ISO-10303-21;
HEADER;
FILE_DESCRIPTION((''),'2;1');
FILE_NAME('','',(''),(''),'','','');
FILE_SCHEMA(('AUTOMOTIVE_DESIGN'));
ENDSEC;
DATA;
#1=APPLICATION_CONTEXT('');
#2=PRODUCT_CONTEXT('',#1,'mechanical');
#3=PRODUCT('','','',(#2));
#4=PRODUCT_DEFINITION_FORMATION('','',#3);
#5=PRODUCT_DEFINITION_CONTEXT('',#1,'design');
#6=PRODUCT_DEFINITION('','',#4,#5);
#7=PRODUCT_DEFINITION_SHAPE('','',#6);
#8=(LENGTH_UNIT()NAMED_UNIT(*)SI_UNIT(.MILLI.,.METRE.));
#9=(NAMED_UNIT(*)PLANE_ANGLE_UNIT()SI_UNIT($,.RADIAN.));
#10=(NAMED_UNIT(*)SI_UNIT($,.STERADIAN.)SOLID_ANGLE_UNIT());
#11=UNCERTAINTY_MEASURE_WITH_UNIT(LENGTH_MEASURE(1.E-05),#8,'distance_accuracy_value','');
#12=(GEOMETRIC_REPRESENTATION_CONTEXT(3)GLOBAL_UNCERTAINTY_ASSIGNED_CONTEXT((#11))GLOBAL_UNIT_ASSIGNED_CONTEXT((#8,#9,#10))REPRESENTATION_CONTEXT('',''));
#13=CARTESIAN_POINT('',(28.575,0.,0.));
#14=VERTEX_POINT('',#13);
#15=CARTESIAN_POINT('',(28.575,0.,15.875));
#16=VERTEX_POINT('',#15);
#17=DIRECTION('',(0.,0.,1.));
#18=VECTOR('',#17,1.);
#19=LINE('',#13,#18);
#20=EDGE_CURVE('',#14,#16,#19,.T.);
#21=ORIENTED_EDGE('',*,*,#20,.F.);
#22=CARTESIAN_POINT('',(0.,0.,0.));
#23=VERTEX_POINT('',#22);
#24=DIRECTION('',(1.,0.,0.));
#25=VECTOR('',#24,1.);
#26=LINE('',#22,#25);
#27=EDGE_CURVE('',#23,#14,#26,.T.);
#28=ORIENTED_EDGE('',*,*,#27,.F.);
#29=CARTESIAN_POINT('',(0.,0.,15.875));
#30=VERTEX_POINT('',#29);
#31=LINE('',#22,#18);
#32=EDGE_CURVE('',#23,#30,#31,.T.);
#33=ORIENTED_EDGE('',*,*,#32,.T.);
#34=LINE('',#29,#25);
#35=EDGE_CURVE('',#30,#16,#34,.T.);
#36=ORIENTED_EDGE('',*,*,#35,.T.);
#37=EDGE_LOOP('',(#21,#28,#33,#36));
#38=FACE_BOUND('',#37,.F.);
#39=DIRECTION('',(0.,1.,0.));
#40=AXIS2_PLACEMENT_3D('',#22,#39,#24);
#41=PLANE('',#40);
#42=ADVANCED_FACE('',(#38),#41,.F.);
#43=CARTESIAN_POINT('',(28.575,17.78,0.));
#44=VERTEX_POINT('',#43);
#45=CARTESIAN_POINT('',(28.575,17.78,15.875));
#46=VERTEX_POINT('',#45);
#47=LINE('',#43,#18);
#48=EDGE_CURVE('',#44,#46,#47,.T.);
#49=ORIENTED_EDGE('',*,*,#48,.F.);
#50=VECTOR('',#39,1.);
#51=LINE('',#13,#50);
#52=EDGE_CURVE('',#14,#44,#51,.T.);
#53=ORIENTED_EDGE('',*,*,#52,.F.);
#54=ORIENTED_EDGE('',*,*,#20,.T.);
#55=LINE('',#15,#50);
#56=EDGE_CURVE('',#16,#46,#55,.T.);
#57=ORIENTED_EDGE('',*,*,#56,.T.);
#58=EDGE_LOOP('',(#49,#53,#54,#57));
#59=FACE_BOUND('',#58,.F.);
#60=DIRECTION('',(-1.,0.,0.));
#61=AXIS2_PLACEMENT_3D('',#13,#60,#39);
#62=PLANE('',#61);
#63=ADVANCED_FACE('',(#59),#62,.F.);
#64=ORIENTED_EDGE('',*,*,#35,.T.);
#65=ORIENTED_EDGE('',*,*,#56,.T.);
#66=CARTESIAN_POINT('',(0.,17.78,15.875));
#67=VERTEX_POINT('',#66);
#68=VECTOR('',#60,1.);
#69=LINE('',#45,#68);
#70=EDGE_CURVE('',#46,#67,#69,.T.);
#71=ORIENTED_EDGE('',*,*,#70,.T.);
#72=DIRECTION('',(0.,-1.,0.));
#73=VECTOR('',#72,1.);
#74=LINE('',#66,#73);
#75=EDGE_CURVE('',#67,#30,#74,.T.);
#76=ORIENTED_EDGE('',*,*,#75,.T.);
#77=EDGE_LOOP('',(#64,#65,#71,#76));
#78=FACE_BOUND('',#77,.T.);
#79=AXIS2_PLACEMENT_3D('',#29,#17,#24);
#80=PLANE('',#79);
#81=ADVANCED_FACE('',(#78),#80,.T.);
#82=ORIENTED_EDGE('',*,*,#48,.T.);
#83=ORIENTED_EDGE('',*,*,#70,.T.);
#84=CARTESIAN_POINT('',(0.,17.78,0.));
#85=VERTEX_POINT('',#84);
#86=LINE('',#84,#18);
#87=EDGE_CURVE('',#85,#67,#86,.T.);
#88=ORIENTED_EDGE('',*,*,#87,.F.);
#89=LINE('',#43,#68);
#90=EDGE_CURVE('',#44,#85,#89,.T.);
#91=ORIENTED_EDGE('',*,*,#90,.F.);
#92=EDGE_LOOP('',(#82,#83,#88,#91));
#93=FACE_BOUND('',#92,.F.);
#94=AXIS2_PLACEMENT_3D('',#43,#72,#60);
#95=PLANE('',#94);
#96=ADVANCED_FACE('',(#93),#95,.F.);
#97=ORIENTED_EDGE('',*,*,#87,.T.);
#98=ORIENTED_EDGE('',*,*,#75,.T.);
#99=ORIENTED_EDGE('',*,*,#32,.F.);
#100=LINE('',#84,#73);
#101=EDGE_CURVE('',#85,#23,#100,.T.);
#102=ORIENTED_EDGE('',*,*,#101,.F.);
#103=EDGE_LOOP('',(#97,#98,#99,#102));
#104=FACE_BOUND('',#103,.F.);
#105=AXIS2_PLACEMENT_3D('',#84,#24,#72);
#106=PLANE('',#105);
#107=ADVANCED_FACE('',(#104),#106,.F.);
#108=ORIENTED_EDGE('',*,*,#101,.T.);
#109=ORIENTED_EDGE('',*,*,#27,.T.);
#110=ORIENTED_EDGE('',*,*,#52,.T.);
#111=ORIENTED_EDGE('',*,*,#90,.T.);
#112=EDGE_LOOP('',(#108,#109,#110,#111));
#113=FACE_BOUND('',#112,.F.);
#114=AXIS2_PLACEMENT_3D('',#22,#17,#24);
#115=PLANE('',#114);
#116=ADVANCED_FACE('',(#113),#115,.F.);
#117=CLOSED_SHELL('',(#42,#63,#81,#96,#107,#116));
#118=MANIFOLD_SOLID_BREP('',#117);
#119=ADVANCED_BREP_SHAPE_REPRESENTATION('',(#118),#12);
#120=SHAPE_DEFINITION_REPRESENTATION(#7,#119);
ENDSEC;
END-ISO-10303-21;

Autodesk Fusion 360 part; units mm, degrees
sketch "Sketch1" plane through (0, 0, 0) normal (0, 0, 1) x (1, 0, 0)
  line L0 (0, 0) -> (28.575, 0)
  line L1 (28.575, 0) -> (28.575, 17.78)
  line L2 (28.575, 17.78) -> (0, 17.78)
  line L3 (0, 17.78) -> (0, 0)
  dimension "d1" = 28.575
  dimension "d2" = 17.78
extrude "Extrude1" add sketch "Sketch1" along normal blind 15.875
sketch "Sketch2" plane through (0, 0, 15.875) normal (0, 0, 1) x (-1, 0, 0)
  line L0 (0, -17.78) -> (0, 0)
  line L1 (0, 0) -> (-28.575, 0)
  line L2 (-28.575, 0) -> (-28.575, -17.78)
  line L3 (-28.575, -17.78) -> (0, -17.78)
  point P0 (-14.2875, -8.89)
  dimension "d5" = 17.78
  dimension "d6" = 28.575
  dimension "d7" = 8.89
  dimension "d8" = 14.2875
equation "d7 = d5 / 2"
equation "d8 = d6 / 2"
